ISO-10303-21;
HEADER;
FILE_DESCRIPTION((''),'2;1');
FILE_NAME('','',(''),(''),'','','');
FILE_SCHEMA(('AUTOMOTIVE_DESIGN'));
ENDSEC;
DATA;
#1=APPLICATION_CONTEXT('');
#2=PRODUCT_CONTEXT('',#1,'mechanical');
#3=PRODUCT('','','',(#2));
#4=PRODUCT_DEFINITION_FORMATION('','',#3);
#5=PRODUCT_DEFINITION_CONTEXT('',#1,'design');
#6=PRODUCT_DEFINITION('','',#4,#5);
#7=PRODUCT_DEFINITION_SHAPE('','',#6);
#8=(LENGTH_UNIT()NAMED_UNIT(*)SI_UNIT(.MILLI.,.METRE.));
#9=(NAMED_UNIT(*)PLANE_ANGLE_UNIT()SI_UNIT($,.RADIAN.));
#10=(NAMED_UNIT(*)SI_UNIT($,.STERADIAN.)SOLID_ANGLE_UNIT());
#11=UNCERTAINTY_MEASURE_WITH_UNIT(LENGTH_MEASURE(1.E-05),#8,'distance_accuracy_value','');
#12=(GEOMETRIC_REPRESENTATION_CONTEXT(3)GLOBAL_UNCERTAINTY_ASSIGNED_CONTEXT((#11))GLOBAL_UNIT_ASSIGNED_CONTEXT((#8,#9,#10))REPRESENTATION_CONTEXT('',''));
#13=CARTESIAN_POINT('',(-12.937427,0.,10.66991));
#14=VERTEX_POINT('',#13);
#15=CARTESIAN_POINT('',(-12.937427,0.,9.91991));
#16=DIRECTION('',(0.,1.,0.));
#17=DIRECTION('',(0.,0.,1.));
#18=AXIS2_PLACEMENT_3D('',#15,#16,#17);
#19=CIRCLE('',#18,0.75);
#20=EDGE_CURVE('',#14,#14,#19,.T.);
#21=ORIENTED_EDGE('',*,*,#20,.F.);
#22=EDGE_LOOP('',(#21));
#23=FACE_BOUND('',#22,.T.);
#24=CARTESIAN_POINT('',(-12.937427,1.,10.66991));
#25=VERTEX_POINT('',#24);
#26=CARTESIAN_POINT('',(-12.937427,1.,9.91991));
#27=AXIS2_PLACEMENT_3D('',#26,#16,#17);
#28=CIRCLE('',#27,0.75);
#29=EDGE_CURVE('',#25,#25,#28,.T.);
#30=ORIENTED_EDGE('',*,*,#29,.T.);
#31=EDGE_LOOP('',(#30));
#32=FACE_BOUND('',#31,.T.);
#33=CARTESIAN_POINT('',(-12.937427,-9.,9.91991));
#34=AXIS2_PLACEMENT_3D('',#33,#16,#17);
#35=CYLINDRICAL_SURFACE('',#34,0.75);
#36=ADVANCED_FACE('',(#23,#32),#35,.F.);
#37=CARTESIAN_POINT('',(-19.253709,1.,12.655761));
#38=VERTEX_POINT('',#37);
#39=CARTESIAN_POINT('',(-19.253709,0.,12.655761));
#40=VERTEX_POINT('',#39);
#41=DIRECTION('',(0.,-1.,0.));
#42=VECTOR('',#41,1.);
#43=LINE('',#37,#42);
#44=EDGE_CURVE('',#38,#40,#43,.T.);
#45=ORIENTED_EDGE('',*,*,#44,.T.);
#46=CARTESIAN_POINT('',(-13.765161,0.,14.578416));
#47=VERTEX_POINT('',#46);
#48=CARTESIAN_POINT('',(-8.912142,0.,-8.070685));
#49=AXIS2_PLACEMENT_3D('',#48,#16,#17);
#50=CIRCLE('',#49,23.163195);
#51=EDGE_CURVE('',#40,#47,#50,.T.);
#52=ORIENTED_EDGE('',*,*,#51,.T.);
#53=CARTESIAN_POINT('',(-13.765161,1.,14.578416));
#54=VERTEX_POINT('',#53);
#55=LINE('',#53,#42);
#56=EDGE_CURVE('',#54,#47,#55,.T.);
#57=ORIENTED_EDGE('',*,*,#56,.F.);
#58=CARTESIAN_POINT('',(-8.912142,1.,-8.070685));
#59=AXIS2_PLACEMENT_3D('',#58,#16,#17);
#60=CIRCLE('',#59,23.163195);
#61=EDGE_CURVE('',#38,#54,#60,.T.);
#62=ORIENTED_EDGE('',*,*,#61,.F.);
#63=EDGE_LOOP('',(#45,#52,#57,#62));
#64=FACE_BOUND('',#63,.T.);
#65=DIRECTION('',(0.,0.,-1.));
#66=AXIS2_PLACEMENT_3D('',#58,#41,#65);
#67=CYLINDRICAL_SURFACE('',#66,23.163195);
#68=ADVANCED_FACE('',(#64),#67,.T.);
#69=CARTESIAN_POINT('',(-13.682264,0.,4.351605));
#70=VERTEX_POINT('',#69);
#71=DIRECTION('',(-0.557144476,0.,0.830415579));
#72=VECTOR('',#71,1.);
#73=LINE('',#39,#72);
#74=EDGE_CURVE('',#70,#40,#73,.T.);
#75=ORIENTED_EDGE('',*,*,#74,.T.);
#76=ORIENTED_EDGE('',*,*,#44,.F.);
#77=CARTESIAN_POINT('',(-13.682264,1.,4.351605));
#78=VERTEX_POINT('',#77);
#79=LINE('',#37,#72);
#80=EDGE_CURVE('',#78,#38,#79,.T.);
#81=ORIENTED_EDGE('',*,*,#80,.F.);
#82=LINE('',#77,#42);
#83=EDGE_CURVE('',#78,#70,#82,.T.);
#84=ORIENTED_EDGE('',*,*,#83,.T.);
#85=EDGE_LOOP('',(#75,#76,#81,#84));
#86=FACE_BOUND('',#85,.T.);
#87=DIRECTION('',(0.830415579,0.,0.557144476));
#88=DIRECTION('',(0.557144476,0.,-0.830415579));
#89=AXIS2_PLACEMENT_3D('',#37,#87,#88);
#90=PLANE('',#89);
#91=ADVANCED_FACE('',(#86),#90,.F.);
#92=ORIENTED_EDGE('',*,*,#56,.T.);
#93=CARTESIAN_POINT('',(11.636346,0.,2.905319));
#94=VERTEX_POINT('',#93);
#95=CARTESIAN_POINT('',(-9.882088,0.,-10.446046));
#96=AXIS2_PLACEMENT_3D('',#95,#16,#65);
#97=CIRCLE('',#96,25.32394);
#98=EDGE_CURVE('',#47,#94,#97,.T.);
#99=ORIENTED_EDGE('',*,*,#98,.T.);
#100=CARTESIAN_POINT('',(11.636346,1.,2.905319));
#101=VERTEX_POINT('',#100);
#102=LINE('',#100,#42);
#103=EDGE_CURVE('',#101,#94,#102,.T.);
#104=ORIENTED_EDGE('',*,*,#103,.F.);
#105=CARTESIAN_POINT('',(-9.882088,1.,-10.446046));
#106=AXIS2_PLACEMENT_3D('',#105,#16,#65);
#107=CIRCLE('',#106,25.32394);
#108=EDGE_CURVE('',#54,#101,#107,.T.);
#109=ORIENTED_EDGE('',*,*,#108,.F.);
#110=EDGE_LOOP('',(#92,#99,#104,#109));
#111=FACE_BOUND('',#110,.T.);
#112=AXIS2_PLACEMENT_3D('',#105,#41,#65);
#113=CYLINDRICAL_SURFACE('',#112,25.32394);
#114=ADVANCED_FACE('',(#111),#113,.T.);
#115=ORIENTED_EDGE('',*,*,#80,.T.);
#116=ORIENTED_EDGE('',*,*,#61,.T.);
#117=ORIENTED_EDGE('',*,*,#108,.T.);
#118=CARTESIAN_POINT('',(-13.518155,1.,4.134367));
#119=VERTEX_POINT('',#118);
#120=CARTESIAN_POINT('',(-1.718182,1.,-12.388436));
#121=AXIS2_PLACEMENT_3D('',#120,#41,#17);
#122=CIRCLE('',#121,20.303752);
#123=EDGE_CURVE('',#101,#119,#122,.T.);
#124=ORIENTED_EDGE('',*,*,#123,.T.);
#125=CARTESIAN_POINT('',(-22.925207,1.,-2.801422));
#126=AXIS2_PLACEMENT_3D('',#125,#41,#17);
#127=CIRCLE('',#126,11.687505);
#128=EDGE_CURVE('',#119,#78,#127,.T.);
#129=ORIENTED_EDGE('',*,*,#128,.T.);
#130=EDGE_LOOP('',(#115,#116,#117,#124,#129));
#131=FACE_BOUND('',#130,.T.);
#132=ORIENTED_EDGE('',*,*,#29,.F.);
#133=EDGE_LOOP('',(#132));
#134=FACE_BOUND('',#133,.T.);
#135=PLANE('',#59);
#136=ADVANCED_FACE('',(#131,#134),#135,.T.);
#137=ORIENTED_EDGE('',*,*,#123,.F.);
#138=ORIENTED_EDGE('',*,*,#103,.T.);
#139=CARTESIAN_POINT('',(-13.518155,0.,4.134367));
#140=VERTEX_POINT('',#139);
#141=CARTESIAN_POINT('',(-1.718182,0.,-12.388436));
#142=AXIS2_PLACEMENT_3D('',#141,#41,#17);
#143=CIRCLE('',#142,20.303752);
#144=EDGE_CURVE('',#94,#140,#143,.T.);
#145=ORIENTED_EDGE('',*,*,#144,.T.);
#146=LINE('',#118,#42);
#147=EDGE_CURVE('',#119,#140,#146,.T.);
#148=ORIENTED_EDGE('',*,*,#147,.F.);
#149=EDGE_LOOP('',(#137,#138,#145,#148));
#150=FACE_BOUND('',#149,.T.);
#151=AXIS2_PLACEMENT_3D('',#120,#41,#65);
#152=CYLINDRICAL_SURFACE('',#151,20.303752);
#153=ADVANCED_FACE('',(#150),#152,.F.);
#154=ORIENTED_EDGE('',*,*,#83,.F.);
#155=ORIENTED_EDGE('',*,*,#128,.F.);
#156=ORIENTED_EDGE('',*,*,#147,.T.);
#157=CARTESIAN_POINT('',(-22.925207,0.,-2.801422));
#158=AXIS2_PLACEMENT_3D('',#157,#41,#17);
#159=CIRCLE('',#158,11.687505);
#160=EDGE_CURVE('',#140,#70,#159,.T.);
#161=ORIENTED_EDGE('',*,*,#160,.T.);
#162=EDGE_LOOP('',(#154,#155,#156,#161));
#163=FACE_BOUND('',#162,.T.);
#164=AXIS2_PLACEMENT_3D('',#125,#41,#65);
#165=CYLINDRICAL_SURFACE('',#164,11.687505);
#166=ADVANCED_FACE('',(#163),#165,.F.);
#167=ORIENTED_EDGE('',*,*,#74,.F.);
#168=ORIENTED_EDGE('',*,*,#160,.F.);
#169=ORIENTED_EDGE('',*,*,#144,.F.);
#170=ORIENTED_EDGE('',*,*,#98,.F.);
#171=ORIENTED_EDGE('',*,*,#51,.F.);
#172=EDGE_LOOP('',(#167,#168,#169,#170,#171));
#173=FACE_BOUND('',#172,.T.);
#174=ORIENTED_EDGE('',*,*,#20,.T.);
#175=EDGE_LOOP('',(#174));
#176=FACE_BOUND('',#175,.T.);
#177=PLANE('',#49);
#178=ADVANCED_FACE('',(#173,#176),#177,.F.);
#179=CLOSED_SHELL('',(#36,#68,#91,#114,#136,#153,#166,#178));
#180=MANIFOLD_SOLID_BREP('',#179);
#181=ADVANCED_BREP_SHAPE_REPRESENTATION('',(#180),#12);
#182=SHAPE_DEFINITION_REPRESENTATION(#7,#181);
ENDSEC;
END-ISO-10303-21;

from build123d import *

# Parameters (mm, degrees)
BOSS_EXTRUDE2_DEPTH = 1
SKETCH6_R           = 0.75
CUT_EXTRUDE3_DEPTH  = 10


with BuildPart() as part:
    # Sketch4 → Boss-Extrude2 (new body)
    with BuildSketch(Plane(origin=(0, 0, 0), x_dir=(1, 0, 0), z_dir=(0, 1, 0))):
        with BuildLine():
            Line((-19.253709209, -12.655761176), (-13.682264454, -4.351605389))
            ThreePointArc((-13.682264454, -4.351605389), (-13.599577219, -4.243463868), (-13.518155162, -4.134366591))
            ThreePointArc((-13.518155162, -4.134366591), (-0.727323966, -7.891124567), (11.63634616, -2.905319296))
            ThreePointArc((11.63634616, -2.905319296), (0.692257999, -12.564498934), (-13.765160625, -14.578416434))
            ThreePointArc((-13.765160625, -14.578416434), (-16.57001445, -13.790023452), (-19.253709209, -12.655761176))
        make_face()
    extrude(amount=BOSS_EXTRUDE2_DEPTH)

    # Sketch6 → Cut-Extrude3 (cut)
    with BuildSketch(Plane(origin=(0, 1, 0), x_dir=(1, 0, 0), z_dir=(0, 1, 0))):
        with Locations((-12.937427019, -9.919909774)):
            Circle(SKETCH6_R)
    extrude(amount=-CUT_EXTRUDE3_DEPTH, mode=Mode.SUBTRACT)


solid = part.part
